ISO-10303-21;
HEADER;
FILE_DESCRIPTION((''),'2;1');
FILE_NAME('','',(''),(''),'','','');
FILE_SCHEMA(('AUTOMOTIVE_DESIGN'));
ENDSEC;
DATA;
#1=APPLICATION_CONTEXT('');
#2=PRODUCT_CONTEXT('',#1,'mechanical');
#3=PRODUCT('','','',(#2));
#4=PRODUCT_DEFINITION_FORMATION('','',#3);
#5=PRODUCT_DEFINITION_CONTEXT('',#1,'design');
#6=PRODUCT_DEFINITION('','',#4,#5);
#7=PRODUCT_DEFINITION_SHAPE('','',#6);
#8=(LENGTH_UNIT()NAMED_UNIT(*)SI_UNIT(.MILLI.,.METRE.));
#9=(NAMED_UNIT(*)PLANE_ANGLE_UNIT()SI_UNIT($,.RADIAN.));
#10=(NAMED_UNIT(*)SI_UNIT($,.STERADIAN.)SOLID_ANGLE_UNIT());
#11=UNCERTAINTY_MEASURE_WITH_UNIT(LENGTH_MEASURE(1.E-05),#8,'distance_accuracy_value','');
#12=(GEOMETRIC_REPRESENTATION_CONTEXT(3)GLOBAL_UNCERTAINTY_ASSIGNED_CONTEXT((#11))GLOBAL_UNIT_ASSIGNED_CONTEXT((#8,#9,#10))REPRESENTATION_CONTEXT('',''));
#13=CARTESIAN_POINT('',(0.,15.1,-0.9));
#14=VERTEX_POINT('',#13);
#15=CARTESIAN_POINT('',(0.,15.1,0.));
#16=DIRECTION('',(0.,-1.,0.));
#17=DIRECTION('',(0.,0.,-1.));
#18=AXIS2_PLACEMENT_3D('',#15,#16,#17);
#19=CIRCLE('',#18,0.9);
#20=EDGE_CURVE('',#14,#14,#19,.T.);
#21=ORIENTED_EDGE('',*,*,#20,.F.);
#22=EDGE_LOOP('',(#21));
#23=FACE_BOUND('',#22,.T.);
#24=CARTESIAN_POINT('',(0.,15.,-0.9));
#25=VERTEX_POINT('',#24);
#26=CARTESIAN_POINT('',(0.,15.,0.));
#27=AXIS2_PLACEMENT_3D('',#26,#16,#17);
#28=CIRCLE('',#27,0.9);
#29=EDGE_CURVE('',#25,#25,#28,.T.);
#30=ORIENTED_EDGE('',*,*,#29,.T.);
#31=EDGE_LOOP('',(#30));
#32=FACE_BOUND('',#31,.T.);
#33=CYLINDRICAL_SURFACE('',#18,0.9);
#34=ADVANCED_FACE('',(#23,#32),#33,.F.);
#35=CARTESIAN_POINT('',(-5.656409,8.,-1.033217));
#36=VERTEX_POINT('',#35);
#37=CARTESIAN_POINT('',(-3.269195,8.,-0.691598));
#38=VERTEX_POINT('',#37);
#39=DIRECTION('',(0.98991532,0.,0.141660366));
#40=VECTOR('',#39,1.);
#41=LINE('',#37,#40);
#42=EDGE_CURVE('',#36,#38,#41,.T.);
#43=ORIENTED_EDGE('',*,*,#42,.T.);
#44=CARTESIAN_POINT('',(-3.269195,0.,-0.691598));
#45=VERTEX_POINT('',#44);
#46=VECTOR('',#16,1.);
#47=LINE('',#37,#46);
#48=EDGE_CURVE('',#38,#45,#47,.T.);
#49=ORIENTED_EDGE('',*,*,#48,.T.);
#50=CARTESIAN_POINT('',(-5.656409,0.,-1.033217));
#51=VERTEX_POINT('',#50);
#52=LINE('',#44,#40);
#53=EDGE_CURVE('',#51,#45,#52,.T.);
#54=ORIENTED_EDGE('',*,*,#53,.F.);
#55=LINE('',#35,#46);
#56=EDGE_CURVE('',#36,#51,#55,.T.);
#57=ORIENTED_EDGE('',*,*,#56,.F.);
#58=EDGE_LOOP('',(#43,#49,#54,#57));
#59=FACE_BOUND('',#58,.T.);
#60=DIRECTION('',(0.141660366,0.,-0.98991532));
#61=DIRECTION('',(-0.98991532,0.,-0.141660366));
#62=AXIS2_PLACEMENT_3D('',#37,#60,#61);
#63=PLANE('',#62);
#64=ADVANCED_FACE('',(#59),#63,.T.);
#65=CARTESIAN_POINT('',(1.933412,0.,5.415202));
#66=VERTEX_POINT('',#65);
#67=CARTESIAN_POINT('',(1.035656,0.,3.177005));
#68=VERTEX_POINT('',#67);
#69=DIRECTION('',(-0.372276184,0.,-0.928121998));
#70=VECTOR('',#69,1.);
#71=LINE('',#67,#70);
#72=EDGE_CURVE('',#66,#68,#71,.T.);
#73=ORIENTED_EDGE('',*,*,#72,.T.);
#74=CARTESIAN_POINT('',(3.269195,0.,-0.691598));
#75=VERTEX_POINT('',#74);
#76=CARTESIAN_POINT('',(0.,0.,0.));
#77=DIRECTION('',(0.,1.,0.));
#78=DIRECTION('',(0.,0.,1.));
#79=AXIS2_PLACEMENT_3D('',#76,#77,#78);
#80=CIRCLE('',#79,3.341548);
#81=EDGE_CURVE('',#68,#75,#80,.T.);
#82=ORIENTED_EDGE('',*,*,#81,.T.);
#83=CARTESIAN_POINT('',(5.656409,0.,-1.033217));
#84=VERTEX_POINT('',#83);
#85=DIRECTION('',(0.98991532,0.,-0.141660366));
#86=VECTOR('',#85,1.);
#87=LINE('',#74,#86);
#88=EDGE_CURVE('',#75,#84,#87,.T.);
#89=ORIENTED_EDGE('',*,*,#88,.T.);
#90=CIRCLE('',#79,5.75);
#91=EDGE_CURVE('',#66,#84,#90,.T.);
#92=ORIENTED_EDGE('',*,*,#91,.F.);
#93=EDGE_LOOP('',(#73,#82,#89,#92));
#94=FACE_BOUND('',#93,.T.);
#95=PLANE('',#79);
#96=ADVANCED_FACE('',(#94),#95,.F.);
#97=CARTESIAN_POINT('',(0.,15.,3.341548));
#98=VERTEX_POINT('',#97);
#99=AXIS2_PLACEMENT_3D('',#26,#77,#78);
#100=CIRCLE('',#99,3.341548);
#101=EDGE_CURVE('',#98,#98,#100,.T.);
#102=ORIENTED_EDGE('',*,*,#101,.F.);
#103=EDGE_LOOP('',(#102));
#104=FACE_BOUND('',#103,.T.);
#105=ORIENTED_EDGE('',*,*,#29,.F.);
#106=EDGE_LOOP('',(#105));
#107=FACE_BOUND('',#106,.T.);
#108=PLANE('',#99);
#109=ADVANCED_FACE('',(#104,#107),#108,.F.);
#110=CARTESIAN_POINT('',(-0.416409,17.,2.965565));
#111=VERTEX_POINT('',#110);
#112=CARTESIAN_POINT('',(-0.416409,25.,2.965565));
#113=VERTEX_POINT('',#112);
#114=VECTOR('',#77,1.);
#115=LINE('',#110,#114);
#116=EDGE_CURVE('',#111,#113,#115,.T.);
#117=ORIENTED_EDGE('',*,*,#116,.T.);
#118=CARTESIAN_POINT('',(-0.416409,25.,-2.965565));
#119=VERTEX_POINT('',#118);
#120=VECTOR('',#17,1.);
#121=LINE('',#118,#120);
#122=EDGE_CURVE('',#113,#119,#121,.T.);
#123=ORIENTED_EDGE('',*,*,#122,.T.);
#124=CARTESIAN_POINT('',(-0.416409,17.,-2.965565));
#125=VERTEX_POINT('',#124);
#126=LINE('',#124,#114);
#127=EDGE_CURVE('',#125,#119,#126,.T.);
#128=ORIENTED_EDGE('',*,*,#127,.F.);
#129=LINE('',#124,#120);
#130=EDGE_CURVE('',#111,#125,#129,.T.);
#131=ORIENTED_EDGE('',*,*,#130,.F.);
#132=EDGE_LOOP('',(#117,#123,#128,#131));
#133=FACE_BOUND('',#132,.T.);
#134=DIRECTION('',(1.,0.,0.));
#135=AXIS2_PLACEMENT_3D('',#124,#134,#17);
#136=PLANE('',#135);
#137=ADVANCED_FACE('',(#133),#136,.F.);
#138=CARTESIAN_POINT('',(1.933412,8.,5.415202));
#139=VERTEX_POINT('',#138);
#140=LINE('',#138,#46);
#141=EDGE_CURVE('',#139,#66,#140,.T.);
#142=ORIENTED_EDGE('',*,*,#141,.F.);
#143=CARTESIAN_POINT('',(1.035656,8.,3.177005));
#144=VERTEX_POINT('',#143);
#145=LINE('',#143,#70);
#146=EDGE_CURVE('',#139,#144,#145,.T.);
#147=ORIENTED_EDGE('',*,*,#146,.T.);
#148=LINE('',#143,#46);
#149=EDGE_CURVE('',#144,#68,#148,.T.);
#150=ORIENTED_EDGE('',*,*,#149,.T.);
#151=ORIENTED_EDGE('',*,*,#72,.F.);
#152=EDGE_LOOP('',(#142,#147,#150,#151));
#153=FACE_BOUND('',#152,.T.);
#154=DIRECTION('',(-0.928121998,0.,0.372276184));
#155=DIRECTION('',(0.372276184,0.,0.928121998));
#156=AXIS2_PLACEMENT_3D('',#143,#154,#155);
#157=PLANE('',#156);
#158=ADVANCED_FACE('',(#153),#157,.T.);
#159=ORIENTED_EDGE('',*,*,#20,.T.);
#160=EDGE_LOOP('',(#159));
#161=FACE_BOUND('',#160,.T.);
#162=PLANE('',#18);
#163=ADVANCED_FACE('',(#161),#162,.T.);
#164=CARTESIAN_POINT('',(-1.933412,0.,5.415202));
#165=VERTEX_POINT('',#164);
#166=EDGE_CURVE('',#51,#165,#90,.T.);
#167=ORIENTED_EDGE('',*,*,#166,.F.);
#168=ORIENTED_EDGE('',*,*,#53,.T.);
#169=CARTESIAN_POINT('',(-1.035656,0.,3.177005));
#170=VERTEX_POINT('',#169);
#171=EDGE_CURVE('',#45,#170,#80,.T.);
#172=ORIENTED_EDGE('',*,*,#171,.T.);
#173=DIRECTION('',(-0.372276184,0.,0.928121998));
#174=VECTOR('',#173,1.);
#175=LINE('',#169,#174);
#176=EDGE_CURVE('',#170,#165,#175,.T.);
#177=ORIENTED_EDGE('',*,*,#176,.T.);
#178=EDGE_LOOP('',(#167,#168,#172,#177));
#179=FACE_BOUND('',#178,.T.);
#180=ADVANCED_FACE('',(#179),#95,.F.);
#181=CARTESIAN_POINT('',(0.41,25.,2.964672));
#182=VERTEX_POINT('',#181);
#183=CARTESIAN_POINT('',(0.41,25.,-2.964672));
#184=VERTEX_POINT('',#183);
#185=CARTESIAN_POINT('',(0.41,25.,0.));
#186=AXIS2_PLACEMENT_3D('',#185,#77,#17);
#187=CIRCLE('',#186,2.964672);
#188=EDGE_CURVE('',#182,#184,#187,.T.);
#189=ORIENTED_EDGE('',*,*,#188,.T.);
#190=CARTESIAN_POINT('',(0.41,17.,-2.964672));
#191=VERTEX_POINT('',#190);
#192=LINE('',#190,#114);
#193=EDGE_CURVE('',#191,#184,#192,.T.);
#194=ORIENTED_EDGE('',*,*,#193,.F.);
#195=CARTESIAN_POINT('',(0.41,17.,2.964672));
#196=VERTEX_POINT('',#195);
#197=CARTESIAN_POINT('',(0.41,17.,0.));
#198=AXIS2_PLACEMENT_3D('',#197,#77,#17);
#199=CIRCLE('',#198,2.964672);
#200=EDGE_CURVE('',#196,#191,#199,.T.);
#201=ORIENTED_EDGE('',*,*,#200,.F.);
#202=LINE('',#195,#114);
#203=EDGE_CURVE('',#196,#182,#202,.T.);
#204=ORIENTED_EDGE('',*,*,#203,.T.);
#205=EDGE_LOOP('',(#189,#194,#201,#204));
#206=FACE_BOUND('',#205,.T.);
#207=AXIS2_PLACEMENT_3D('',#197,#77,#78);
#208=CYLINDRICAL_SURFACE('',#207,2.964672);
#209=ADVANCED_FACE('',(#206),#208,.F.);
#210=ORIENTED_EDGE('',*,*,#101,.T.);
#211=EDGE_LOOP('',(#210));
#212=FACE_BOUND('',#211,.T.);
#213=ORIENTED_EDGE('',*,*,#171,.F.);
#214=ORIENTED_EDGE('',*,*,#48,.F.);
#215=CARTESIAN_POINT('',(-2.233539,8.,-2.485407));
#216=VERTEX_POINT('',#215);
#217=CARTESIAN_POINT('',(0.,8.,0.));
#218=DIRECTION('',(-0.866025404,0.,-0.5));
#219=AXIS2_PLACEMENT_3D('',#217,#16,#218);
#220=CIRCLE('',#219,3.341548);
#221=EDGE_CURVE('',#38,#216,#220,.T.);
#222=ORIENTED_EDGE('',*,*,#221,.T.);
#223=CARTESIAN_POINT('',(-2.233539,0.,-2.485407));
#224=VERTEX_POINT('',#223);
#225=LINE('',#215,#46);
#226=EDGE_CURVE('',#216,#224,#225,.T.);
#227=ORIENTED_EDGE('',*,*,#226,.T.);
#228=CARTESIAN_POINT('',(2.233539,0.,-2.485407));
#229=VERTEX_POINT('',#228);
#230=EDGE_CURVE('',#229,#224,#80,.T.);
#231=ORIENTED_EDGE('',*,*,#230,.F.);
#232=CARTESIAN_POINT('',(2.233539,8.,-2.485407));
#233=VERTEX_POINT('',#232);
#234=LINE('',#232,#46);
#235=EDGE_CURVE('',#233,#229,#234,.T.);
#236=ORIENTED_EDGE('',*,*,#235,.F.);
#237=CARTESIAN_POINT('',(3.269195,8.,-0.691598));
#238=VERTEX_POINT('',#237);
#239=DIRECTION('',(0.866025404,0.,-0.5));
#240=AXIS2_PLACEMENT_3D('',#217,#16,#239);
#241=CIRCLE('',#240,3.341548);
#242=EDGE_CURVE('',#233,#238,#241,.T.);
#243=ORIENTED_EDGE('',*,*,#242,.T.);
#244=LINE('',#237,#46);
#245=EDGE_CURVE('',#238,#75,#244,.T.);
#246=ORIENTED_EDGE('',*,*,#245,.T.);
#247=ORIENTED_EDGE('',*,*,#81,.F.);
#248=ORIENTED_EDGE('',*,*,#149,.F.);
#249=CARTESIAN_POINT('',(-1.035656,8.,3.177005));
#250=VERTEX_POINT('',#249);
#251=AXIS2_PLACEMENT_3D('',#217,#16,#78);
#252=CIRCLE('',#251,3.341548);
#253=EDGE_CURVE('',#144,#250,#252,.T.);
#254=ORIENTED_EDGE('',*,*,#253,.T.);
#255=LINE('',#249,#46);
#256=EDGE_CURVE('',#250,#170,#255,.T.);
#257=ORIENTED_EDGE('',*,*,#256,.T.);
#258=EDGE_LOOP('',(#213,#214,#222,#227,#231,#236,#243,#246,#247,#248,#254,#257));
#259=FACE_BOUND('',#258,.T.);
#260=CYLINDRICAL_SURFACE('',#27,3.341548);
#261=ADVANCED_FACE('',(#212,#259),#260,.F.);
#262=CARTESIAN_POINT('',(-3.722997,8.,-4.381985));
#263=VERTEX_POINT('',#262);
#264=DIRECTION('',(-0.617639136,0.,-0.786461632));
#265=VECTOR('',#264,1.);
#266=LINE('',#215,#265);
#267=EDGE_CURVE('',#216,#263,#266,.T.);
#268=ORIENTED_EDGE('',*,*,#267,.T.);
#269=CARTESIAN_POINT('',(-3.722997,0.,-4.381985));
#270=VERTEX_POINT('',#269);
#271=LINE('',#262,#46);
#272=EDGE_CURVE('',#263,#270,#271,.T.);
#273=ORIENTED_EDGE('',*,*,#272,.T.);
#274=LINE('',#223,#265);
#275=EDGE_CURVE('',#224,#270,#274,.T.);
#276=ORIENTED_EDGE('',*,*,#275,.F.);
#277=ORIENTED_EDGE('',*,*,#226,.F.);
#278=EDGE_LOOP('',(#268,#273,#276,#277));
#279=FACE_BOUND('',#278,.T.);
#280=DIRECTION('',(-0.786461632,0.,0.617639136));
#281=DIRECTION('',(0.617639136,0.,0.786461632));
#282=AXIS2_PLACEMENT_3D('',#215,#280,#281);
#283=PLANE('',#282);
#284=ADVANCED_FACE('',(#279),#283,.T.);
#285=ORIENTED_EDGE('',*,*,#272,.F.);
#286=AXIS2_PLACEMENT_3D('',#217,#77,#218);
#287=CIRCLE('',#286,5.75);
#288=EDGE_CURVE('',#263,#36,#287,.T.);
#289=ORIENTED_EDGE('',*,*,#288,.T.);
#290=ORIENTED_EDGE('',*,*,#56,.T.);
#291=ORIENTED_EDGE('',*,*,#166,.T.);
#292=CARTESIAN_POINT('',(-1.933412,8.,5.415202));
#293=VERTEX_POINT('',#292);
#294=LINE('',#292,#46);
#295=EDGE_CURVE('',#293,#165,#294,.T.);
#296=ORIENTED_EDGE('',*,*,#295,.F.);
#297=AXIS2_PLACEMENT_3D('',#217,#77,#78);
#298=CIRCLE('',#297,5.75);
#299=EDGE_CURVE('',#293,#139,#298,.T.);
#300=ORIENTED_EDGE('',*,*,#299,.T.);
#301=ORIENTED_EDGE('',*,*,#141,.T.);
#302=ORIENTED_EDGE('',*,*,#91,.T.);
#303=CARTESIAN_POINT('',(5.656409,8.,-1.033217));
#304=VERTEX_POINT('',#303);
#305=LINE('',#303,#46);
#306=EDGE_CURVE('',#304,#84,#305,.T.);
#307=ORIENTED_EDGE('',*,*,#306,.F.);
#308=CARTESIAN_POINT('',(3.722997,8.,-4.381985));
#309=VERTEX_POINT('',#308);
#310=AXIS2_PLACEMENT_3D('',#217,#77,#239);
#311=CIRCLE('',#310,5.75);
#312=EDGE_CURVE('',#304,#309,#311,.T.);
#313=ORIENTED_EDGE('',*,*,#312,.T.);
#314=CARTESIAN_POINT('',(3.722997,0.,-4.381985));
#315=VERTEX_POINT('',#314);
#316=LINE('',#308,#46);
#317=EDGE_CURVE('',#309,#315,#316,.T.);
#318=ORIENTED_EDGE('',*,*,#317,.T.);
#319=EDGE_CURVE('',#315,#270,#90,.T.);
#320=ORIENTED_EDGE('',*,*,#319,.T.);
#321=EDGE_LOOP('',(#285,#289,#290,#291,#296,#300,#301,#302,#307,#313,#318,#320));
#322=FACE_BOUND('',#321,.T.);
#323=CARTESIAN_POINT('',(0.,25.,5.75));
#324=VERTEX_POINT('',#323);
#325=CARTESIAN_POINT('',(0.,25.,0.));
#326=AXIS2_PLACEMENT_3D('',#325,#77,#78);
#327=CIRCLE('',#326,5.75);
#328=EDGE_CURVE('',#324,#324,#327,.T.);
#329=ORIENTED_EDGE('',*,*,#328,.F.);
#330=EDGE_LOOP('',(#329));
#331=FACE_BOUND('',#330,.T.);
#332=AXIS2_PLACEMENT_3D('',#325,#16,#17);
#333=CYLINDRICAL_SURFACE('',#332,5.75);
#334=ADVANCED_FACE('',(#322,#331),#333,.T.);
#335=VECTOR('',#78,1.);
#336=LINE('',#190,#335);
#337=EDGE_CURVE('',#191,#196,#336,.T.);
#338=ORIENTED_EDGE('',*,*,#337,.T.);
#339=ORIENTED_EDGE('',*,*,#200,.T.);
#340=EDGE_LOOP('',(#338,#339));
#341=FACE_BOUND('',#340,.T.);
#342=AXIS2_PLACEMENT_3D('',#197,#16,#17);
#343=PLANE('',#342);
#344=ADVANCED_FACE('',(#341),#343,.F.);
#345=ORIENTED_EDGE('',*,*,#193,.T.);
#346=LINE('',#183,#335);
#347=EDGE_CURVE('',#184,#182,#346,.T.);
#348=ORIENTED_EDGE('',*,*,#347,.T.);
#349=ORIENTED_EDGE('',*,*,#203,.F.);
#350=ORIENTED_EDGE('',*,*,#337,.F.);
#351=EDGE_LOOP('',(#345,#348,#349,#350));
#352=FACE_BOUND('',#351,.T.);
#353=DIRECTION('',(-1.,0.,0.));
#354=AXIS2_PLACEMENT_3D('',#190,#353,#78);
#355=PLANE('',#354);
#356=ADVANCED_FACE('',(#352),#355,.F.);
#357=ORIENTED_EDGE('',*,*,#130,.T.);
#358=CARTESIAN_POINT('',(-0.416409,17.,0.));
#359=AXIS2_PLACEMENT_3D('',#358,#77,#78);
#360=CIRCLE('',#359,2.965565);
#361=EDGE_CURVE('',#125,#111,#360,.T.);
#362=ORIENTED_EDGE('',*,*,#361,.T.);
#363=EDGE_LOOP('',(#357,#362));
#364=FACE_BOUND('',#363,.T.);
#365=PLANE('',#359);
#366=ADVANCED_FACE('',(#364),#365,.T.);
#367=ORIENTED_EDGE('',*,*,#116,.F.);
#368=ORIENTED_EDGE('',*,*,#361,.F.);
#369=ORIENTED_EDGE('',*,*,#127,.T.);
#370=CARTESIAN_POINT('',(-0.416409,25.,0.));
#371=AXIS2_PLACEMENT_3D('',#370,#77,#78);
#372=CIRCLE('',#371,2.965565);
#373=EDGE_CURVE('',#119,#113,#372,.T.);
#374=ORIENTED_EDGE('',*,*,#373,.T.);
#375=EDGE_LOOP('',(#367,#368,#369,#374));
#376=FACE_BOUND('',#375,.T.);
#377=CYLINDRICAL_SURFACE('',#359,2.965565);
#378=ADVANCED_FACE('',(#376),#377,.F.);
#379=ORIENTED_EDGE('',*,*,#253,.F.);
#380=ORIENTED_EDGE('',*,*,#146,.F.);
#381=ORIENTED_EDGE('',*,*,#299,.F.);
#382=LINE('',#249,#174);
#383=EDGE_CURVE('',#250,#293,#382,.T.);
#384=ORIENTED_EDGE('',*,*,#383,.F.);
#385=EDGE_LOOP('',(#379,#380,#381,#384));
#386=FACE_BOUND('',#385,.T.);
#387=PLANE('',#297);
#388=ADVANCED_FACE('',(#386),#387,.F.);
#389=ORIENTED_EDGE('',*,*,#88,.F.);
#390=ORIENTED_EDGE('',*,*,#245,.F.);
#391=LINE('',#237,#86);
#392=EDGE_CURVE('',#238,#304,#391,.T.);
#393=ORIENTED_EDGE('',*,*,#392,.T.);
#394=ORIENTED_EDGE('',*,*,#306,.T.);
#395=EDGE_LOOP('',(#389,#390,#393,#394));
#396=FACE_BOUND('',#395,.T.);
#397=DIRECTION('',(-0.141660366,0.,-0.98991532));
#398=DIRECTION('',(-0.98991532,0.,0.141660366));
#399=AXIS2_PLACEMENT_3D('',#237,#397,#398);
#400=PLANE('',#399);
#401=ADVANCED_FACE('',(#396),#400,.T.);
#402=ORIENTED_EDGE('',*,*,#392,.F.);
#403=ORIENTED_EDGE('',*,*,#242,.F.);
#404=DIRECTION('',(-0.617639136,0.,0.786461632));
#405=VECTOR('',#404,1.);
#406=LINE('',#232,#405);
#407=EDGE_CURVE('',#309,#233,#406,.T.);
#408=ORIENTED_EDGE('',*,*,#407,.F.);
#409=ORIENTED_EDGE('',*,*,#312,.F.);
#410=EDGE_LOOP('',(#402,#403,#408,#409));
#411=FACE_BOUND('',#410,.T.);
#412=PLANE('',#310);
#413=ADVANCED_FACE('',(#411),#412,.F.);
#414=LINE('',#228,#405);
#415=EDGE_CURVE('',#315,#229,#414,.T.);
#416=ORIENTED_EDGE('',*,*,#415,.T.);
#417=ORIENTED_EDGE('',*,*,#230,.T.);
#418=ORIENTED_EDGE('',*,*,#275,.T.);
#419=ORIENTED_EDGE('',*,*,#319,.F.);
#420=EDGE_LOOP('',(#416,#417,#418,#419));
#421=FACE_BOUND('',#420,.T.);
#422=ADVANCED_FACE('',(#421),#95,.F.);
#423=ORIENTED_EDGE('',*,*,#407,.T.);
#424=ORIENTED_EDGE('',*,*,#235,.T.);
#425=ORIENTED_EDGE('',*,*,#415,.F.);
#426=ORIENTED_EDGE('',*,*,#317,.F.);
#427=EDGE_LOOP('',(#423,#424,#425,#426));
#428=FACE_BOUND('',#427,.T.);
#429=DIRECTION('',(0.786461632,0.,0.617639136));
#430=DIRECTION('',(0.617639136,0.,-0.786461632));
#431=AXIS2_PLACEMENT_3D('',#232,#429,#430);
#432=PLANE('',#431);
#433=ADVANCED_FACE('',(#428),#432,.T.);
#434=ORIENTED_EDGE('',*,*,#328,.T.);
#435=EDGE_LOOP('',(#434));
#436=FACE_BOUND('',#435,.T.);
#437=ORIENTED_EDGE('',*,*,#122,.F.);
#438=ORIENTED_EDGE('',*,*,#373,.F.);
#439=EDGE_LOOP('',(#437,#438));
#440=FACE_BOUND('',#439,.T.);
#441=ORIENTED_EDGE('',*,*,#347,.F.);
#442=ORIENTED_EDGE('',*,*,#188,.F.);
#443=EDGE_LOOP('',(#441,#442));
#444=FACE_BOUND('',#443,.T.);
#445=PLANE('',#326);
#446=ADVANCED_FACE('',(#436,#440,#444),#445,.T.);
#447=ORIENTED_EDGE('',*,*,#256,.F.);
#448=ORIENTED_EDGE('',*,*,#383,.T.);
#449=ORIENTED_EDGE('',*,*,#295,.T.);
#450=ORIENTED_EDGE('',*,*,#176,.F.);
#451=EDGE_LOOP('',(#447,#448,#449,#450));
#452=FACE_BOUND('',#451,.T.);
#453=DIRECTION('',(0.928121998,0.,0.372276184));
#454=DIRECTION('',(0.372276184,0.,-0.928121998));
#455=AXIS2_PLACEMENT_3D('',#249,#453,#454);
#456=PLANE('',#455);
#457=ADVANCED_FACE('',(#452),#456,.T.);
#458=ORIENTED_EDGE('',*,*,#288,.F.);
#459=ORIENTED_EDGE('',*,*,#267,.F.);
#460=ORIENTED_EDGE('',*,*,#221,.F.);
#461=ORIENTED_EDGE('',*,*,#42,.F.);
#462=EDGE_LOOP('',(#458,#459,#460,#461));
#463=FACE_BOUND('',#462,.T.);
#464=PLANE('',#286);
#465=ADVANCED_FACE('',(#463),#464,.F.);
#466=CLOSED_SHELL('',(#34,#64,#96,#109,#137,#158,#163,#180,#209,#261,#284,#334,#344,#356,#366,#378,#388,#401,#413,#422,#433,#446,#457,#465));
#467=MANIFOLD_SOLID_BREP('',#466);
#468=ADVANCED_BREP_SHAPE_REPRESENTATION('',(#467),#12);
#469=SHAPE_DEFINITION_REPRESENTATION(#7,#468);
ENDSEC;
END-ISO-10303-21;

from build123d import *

# Parameters (mm, degrees)
SKETCH1_R           = 5.75
BOSS_EXTRUDE1_DEPTH = 25
SKETCH2_R           = 3.341548393
CUT_EXTRUDE1_DEPTH  = 15
CUT_EXTRUDE2_DEPTH  = 8
CIRPATTERN1_COUNT   = 3
CUT_EXTRUDE3_DEPTH  = 8
SKETCH7_R           = 0.9
CUT_EXTRUDE4_DEPTH  = 0.1


with BuildPart() as part:
    # Sketch1 → Boss-Extrude1 (new body)
    with BuildSketch(Plane(origin=(0, 0, 0), x_dir=(1, 0, 0), z_dir=(0, 1, 0))):
        with Locations(Location((0, 0, 0), (0, 0, 270))):
            Circle(SKETCH1_R)
    extrude(amount=BOSS_EXTRUDE1_DEPTH)

    # Sketch2 → Cut-Extrude1 (cut)
    with BuildSketch(Plane(origin=(0, 0, 0), x_dir=(1, 0, 0), z_dir=(0, 1, 0))):
        with Locations(Location((0, 0, 0), (0, 0, 270))):
            Circle(SKETCH2_R)
    extrude(amount=CUT_EXTRUDE1_DEPTH, mode=Mode.SUBTRACT)

    # Sketch5 → Cut-Extrude2 (cut)
    with BuildSketch(Plane(origin=(0, 0, 0), x_dir=(1, 0, 0), z_dir=(0, 1, 0))):
        with BuildLine():
            Line((-1.035655919, -3.177005269), (-1.933412335, -5.415202373))
            ThreePointArc((-1.933412335, -5.415202373), (0, -5.75), (1.933412335, -5.415202373))
            Line((1.933412335, -5.415202373), (1.035655919, -3.177005269))
            ThreePointArc((1.035655919, -3.177005269), (0, -3.341548393), (-1.035655919, -3.177005269))
        make_face()
    cut_extrude2 = extrude(amount=CUT_EXTRUDE2_DEPTH, mode=Mode.SUBTRACT)

    # CirPattern1: Cut-Extrude2 ×3 about axis
    cirpattern1_axis = Axis((0, 0, 0), (0, 1, 0))
    for i in range(1, CIRPATTERN1_COUNT):
        add(cut_extrude2.rotate(cirpattern1_axis, i * 360 / CIRPATTERN1_COUNT), mode=Mode.SUBTRACT)

    # Sketch6 → Cut-Extrude3 (cut)
    with BuildSketch(Plane(origin=(0, 25, 0), x_dir=(1, 0, 0), z_dir=(0, 1, 0))):
        with BuildLine():
            Line((0.41, 2.964671599), (0.41, -2.964671599))
            ThreePointArc((0.41, -2.964671599), (3.374671599, 0), (0.41, 2.964671599))
        make_face()
        with BuildLine():
            Line((-0.416408681, 2.965564682), (-0.416408681, -2.965564682))
            ThreePointArc((-0.416408681, -2.965564682), (-3.381973363, 0), (-0.416408681, 2.965564682))
        make_face()
    extrude(amount=-CUT_EXTRUDE3_DEPTH, mode=Mode.SUBTRACT)

    # Sketch7 → Cut-Extrude4 (cut)
    with BuildSketch(Plane.XZ.offset(-15)):
        with Locations(Location((0, 0, 0), (0, 0, 270))):
            Circle(SKETCH7_R)
    extrude(amount=-CUT_EXTRUDE4_DEPTH, mode=Mode.SUBTRACT)


solid = part.part
